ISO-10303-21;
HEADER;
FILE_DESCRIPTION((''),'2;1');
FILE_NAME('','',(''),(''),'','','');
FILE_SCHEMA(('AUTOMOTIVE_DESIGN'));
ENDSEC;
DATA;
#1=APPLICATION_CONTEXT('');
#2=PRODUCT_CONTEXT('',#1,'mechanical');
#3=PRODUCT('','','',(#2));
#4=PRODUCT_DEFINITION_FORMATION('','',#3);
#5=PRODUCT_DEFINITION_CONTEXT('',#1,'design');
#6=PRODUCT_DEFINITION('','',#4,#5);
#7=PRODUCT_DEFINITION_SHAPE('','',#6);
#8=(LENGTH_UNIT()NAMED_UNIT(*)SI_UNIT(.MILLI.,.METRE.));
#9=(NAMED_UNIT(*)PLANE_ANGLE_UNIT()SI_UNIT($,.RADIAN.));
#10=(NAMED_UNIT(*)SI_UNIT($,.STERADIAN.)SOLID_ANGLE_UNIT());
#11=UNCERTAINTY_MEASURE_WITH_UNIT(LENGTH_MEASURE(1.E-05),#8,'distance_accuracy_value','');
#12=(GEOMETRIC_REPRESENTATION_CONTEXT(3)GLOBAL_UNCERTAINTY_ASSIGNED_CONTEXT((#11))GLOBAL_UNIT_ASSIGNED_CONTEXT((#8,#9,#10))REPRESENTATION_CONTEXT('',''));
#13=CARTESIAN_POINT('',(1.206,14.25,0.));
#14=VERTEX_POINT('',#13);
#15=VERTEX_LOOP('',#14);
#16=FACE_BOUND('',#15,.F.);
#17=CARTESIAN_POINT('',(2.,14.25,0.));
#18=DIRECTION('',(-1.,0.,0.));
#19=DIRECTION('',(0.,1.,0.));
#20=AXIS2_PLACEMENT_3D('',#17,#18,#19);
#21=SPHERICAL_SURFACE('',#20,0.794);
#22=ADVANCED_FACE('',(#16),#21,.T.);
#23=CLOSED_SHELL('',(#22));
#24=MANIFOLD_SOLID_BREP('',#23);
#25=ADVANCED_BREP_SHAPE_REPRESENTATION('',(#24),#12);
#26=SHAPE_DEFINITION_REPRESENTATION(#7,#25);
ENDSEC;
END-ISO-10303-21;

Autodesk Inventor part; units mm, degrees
ref_plane "YZ Plane" through (0, 0, 0) normal (1, 0, 0) x (0, 1, 0)
ref_plane "XZ Plane" through (0, 0, 0) normal (0, 1, 0) x (-1, 0, 0)
ref_plane "XY Plane" through (0, 0, 0) normal (0, 0, 1) x (1, 0, 0)
sketch "Sketch_6" plane through (0, 0, 0) normal (0, 0, 1) x (1, 0, 0)
  line L0 (2.794, 14.25) -> (1.206, 14.25)
  arc A0 (2.794, 14.25) -> (1.206, 14.25) centre (2, 14.25) ccw
  line L1 (2.794, 14.25) -> (1.206, 14.25)
  dimension "d0" = 360
revolve "Revolution1" add sketch "Sketch_6" angle 360 about axis through (2.794, 14.25, 0) along (1, 0, 0)
properties part number "W 61705-2RS1_PART3"
